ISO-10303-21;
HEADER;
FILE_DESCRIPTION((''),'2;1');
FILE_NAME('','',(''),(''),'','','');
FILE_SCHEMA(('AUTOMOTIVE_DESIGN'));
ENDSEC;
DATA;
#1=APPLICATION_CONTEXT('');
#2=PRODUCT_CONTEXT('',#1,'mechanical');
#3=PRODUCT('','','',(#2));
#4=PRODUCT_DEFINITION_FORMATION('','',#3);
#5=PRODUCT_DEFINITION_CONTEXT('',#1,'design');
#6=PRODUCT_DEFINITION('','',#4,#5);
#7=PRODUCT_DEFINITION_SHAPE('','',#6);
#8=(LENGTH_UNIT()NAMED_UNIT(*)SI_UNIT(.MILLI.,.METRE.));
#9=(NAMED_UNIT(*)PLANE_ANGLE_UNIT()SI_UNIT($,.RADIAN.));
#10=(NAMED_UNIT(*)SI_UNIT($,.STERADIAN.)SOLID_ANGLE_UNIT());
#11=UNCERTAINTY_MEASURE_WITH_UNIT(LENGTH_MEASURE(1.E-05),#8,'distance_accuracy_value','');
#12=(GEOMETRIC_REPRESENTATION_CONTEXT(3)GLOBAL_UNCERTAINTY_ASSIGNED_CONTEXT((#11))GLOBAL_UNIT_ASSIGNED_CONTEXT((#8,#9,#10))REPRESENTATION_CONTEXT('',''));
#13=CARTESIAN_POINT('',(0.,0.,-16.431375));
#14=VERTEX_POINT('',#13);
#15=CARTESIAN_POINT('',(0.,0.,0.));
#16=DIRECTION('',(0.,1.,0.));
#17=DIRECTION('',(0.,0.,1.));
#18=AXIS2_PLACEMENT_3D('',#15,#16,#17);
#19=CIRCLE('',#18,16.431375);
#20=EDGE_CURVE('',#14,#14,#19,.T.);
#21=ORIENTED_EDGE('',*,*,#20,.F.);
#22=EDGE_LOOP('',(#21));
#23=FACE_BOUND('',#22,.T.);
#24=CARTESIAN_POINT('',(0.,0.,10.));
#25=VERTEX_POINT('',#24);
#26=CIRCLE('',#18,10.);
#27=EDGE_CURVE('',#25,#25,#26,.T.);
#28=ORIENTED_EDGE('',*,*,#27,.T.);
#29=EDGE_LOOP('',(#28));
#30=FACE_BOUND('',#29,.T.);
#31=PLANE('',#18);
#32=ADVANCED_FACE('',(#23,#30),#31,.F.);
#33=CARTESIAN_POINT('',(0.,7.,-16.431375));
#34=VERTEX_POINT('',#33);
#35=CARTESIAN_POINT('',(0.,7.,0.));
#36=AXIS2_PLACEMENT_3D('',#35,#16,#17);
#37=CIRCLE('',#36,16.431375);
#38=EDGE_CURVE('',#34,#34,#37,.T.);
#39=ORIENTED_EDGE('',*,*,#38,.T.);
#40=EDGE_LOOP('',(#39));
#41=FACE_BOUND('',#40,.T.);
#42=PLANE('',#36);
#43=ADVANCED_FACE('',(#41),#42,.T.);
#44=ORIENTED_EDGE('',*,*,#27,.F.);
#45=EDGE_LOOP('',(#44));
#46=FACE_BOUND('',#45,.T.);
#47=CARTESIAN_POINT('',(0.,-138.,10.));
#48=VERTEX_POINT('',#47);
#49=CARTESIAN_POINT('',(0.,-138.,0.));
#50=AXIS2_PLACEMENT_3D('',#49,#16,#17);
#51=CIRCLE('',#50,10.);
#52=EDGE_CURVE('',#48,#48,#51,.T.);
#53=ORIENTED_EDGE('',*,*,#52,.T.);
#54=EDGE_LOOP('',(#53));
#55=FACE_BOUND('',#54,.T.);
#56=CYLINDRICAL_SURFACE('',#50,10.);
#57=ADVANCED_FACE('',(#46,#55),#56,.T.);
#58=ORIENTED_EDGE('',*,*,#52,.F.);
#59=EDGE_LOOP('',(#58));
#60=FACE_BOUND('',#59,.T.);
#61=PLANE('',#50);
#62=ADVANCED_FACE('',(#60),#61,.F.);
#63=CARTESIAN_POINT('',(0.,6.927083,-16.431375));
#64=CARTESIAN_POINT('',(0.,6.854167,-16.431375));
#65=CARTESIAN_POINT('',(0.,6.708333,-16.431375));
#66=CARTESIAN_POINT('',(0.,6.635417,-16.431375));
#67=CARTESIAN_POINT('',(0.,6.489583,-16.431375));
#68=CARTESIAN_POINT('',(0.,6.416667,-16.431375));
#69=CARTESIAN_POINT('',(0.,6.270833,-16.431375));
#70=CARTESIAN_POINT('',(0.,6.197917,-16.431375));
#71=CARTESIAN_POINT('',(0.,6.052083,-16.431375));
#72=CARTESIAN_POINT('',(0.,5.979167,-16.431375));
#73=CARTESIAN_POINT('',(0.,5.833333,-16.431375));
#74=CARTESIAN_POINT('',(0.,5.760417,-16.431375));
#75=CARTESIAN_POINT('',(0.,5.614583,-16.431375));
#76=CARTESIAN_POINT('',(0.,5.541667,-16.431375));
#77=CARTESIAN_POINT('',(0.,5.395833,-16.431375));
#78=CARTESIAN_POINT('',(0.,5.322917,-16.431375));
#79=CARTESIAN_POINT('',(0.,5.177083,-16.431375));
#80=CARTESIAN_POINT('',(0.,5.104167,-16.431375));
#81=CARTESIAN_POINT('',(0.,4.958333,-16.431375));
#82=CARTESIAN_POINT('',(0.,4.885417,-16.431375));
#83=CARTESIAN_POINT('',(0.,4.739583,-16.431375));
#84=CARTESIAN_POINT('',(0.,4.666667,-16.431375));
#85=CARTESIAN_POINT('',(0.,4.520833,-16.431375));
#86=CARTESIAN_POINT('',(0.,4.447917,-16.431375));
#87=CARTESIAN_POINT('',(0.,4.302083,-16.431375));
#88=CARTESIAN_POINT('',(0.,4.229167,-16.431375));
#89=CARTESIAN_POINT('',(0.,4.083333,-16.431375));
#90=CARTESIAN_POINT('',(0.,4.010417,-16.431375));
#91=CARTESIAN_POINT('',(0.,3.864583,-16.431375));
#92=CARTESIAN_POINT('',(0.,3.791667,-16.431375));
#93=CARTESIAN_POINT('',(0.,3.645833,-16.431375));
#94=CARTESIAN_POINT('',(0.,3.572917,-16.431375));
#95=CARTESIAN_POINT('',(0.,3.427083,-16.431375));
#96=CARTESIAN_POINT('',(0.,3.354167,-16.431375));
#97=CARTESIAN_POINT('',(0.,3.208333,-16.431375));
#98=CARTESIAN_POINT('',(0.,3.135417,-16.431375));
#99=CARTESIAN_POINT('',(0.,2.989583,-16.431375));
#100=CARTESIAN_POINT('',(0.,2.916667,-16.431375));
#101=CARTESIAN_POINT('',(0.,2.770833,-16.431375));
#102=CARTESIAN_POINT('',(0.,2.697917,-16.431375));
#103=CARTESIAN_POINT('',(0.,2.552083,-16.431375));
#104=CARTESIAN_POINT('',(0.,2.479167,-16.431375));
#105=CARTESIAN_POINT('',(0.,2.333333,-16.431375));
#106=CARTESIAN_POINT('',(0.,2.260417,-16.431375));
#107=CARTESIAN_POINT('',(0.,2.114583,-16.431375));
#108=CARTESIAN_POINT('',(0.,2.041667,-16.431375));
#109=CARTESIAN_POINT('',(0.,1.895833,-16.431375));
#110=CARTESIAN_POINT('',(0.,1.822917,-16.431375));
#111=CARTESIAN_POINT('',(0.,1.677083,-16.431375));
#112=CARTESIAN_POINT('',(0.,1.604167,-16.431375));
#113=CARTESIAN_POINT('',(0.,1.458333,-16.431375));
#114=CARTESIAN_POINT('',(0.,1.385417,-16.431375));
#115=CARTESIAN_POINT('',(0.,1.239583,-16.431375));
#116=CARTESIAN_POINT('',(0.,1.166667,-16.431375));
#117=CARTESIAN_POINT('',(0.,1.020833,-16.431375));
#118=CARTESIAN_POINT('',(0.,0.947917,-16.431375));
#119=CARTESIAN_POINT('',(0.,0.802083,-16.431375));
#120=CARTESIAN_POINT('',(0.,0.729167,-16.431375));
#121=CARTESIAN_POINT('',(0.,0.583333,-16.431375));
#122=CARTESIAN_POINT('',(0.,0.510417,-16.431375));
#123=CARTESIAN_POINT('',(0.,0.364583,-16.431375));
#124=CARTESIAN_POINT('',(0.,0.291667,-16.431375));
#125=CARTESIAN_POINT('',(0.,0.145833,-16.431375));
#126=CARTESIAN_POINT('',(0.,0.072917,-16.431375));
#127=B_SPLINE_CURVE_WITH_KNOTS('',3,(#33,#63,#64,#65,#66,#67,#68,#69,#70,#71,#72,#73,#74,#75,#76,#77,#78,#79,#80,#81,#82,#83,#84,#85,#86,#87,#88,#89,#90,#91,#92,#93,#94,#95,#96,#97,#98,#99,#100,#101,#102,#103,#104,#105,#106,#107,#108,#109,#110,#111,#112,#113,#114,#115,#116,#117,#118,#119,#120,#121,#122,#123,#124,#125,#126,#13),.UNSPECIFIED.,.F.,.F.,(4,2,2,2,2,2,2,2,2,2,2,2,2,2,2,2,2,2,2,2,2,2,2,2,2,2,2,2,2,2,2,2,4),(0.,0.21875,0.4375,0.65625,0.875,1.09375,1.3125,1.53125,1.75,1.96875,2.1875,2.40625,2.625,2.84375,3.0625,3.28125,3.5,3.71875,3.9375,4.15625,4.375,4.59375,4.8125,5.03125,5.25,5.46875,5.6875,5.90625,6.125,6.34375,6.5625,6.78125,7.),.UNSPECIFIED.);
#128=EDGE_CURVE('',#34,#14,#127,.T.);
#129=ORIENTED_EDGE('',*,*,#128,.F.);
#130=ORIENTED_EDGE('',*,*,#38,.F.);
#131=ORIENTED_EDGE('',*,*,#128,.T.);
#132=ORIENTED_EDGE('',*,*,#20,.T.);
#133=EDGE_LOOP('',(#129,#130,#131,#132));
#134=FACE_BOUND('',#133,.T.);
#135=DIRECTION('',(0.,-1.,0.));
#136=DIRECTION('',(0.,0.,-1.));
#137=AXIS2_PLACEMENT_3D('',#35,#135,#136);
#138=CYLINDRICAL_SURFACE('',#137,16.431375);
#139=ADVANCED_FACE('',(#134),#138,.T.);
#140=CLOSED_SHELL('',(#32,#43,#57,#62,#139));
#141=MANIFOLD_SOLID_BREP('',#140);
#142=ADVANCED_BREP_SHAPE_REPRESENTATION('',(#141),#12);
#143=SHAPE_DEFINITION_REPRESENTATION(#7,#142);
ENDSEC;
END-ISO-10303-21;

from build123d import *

# Parameters (mm, degrees)
SKETCH1_R           = 10
BOSS_EXTRUDE1_DEPTH = 138
SKETCH2_R           = 16.431374592
BOSS_EXTRUDE2_DEPTH = 7


with BuildPart() as part:
    # Sketch1 → Boss-Extrude1 (new body)
    with BuildSketch(Plane(origin=(0, 0, 0), x_dir=(1, 0, 0), z_dir=(0, 1, 0))):
        with Locations(Location((0, 0, 0), (0, 0, 270))):
            Circle(SKETCH1_R)
    extrude(amount=-BOSS_EXTRUDE1_DEPTH)

    # Sketch2 → Boss-Extrude2 (add)
    with BuildSketch(Plane(origin=(0, 0, 0), x_dir=(1, 0, 0), z_dir=(0, 1, 0))):
        with Locations(Location((0, 0, 0), (0, 0, 90))):
            Circle(SKETCH2_R)
    extrude(amount=BOSS_EXTRUDE2_DEPTH)


solid = part.part
